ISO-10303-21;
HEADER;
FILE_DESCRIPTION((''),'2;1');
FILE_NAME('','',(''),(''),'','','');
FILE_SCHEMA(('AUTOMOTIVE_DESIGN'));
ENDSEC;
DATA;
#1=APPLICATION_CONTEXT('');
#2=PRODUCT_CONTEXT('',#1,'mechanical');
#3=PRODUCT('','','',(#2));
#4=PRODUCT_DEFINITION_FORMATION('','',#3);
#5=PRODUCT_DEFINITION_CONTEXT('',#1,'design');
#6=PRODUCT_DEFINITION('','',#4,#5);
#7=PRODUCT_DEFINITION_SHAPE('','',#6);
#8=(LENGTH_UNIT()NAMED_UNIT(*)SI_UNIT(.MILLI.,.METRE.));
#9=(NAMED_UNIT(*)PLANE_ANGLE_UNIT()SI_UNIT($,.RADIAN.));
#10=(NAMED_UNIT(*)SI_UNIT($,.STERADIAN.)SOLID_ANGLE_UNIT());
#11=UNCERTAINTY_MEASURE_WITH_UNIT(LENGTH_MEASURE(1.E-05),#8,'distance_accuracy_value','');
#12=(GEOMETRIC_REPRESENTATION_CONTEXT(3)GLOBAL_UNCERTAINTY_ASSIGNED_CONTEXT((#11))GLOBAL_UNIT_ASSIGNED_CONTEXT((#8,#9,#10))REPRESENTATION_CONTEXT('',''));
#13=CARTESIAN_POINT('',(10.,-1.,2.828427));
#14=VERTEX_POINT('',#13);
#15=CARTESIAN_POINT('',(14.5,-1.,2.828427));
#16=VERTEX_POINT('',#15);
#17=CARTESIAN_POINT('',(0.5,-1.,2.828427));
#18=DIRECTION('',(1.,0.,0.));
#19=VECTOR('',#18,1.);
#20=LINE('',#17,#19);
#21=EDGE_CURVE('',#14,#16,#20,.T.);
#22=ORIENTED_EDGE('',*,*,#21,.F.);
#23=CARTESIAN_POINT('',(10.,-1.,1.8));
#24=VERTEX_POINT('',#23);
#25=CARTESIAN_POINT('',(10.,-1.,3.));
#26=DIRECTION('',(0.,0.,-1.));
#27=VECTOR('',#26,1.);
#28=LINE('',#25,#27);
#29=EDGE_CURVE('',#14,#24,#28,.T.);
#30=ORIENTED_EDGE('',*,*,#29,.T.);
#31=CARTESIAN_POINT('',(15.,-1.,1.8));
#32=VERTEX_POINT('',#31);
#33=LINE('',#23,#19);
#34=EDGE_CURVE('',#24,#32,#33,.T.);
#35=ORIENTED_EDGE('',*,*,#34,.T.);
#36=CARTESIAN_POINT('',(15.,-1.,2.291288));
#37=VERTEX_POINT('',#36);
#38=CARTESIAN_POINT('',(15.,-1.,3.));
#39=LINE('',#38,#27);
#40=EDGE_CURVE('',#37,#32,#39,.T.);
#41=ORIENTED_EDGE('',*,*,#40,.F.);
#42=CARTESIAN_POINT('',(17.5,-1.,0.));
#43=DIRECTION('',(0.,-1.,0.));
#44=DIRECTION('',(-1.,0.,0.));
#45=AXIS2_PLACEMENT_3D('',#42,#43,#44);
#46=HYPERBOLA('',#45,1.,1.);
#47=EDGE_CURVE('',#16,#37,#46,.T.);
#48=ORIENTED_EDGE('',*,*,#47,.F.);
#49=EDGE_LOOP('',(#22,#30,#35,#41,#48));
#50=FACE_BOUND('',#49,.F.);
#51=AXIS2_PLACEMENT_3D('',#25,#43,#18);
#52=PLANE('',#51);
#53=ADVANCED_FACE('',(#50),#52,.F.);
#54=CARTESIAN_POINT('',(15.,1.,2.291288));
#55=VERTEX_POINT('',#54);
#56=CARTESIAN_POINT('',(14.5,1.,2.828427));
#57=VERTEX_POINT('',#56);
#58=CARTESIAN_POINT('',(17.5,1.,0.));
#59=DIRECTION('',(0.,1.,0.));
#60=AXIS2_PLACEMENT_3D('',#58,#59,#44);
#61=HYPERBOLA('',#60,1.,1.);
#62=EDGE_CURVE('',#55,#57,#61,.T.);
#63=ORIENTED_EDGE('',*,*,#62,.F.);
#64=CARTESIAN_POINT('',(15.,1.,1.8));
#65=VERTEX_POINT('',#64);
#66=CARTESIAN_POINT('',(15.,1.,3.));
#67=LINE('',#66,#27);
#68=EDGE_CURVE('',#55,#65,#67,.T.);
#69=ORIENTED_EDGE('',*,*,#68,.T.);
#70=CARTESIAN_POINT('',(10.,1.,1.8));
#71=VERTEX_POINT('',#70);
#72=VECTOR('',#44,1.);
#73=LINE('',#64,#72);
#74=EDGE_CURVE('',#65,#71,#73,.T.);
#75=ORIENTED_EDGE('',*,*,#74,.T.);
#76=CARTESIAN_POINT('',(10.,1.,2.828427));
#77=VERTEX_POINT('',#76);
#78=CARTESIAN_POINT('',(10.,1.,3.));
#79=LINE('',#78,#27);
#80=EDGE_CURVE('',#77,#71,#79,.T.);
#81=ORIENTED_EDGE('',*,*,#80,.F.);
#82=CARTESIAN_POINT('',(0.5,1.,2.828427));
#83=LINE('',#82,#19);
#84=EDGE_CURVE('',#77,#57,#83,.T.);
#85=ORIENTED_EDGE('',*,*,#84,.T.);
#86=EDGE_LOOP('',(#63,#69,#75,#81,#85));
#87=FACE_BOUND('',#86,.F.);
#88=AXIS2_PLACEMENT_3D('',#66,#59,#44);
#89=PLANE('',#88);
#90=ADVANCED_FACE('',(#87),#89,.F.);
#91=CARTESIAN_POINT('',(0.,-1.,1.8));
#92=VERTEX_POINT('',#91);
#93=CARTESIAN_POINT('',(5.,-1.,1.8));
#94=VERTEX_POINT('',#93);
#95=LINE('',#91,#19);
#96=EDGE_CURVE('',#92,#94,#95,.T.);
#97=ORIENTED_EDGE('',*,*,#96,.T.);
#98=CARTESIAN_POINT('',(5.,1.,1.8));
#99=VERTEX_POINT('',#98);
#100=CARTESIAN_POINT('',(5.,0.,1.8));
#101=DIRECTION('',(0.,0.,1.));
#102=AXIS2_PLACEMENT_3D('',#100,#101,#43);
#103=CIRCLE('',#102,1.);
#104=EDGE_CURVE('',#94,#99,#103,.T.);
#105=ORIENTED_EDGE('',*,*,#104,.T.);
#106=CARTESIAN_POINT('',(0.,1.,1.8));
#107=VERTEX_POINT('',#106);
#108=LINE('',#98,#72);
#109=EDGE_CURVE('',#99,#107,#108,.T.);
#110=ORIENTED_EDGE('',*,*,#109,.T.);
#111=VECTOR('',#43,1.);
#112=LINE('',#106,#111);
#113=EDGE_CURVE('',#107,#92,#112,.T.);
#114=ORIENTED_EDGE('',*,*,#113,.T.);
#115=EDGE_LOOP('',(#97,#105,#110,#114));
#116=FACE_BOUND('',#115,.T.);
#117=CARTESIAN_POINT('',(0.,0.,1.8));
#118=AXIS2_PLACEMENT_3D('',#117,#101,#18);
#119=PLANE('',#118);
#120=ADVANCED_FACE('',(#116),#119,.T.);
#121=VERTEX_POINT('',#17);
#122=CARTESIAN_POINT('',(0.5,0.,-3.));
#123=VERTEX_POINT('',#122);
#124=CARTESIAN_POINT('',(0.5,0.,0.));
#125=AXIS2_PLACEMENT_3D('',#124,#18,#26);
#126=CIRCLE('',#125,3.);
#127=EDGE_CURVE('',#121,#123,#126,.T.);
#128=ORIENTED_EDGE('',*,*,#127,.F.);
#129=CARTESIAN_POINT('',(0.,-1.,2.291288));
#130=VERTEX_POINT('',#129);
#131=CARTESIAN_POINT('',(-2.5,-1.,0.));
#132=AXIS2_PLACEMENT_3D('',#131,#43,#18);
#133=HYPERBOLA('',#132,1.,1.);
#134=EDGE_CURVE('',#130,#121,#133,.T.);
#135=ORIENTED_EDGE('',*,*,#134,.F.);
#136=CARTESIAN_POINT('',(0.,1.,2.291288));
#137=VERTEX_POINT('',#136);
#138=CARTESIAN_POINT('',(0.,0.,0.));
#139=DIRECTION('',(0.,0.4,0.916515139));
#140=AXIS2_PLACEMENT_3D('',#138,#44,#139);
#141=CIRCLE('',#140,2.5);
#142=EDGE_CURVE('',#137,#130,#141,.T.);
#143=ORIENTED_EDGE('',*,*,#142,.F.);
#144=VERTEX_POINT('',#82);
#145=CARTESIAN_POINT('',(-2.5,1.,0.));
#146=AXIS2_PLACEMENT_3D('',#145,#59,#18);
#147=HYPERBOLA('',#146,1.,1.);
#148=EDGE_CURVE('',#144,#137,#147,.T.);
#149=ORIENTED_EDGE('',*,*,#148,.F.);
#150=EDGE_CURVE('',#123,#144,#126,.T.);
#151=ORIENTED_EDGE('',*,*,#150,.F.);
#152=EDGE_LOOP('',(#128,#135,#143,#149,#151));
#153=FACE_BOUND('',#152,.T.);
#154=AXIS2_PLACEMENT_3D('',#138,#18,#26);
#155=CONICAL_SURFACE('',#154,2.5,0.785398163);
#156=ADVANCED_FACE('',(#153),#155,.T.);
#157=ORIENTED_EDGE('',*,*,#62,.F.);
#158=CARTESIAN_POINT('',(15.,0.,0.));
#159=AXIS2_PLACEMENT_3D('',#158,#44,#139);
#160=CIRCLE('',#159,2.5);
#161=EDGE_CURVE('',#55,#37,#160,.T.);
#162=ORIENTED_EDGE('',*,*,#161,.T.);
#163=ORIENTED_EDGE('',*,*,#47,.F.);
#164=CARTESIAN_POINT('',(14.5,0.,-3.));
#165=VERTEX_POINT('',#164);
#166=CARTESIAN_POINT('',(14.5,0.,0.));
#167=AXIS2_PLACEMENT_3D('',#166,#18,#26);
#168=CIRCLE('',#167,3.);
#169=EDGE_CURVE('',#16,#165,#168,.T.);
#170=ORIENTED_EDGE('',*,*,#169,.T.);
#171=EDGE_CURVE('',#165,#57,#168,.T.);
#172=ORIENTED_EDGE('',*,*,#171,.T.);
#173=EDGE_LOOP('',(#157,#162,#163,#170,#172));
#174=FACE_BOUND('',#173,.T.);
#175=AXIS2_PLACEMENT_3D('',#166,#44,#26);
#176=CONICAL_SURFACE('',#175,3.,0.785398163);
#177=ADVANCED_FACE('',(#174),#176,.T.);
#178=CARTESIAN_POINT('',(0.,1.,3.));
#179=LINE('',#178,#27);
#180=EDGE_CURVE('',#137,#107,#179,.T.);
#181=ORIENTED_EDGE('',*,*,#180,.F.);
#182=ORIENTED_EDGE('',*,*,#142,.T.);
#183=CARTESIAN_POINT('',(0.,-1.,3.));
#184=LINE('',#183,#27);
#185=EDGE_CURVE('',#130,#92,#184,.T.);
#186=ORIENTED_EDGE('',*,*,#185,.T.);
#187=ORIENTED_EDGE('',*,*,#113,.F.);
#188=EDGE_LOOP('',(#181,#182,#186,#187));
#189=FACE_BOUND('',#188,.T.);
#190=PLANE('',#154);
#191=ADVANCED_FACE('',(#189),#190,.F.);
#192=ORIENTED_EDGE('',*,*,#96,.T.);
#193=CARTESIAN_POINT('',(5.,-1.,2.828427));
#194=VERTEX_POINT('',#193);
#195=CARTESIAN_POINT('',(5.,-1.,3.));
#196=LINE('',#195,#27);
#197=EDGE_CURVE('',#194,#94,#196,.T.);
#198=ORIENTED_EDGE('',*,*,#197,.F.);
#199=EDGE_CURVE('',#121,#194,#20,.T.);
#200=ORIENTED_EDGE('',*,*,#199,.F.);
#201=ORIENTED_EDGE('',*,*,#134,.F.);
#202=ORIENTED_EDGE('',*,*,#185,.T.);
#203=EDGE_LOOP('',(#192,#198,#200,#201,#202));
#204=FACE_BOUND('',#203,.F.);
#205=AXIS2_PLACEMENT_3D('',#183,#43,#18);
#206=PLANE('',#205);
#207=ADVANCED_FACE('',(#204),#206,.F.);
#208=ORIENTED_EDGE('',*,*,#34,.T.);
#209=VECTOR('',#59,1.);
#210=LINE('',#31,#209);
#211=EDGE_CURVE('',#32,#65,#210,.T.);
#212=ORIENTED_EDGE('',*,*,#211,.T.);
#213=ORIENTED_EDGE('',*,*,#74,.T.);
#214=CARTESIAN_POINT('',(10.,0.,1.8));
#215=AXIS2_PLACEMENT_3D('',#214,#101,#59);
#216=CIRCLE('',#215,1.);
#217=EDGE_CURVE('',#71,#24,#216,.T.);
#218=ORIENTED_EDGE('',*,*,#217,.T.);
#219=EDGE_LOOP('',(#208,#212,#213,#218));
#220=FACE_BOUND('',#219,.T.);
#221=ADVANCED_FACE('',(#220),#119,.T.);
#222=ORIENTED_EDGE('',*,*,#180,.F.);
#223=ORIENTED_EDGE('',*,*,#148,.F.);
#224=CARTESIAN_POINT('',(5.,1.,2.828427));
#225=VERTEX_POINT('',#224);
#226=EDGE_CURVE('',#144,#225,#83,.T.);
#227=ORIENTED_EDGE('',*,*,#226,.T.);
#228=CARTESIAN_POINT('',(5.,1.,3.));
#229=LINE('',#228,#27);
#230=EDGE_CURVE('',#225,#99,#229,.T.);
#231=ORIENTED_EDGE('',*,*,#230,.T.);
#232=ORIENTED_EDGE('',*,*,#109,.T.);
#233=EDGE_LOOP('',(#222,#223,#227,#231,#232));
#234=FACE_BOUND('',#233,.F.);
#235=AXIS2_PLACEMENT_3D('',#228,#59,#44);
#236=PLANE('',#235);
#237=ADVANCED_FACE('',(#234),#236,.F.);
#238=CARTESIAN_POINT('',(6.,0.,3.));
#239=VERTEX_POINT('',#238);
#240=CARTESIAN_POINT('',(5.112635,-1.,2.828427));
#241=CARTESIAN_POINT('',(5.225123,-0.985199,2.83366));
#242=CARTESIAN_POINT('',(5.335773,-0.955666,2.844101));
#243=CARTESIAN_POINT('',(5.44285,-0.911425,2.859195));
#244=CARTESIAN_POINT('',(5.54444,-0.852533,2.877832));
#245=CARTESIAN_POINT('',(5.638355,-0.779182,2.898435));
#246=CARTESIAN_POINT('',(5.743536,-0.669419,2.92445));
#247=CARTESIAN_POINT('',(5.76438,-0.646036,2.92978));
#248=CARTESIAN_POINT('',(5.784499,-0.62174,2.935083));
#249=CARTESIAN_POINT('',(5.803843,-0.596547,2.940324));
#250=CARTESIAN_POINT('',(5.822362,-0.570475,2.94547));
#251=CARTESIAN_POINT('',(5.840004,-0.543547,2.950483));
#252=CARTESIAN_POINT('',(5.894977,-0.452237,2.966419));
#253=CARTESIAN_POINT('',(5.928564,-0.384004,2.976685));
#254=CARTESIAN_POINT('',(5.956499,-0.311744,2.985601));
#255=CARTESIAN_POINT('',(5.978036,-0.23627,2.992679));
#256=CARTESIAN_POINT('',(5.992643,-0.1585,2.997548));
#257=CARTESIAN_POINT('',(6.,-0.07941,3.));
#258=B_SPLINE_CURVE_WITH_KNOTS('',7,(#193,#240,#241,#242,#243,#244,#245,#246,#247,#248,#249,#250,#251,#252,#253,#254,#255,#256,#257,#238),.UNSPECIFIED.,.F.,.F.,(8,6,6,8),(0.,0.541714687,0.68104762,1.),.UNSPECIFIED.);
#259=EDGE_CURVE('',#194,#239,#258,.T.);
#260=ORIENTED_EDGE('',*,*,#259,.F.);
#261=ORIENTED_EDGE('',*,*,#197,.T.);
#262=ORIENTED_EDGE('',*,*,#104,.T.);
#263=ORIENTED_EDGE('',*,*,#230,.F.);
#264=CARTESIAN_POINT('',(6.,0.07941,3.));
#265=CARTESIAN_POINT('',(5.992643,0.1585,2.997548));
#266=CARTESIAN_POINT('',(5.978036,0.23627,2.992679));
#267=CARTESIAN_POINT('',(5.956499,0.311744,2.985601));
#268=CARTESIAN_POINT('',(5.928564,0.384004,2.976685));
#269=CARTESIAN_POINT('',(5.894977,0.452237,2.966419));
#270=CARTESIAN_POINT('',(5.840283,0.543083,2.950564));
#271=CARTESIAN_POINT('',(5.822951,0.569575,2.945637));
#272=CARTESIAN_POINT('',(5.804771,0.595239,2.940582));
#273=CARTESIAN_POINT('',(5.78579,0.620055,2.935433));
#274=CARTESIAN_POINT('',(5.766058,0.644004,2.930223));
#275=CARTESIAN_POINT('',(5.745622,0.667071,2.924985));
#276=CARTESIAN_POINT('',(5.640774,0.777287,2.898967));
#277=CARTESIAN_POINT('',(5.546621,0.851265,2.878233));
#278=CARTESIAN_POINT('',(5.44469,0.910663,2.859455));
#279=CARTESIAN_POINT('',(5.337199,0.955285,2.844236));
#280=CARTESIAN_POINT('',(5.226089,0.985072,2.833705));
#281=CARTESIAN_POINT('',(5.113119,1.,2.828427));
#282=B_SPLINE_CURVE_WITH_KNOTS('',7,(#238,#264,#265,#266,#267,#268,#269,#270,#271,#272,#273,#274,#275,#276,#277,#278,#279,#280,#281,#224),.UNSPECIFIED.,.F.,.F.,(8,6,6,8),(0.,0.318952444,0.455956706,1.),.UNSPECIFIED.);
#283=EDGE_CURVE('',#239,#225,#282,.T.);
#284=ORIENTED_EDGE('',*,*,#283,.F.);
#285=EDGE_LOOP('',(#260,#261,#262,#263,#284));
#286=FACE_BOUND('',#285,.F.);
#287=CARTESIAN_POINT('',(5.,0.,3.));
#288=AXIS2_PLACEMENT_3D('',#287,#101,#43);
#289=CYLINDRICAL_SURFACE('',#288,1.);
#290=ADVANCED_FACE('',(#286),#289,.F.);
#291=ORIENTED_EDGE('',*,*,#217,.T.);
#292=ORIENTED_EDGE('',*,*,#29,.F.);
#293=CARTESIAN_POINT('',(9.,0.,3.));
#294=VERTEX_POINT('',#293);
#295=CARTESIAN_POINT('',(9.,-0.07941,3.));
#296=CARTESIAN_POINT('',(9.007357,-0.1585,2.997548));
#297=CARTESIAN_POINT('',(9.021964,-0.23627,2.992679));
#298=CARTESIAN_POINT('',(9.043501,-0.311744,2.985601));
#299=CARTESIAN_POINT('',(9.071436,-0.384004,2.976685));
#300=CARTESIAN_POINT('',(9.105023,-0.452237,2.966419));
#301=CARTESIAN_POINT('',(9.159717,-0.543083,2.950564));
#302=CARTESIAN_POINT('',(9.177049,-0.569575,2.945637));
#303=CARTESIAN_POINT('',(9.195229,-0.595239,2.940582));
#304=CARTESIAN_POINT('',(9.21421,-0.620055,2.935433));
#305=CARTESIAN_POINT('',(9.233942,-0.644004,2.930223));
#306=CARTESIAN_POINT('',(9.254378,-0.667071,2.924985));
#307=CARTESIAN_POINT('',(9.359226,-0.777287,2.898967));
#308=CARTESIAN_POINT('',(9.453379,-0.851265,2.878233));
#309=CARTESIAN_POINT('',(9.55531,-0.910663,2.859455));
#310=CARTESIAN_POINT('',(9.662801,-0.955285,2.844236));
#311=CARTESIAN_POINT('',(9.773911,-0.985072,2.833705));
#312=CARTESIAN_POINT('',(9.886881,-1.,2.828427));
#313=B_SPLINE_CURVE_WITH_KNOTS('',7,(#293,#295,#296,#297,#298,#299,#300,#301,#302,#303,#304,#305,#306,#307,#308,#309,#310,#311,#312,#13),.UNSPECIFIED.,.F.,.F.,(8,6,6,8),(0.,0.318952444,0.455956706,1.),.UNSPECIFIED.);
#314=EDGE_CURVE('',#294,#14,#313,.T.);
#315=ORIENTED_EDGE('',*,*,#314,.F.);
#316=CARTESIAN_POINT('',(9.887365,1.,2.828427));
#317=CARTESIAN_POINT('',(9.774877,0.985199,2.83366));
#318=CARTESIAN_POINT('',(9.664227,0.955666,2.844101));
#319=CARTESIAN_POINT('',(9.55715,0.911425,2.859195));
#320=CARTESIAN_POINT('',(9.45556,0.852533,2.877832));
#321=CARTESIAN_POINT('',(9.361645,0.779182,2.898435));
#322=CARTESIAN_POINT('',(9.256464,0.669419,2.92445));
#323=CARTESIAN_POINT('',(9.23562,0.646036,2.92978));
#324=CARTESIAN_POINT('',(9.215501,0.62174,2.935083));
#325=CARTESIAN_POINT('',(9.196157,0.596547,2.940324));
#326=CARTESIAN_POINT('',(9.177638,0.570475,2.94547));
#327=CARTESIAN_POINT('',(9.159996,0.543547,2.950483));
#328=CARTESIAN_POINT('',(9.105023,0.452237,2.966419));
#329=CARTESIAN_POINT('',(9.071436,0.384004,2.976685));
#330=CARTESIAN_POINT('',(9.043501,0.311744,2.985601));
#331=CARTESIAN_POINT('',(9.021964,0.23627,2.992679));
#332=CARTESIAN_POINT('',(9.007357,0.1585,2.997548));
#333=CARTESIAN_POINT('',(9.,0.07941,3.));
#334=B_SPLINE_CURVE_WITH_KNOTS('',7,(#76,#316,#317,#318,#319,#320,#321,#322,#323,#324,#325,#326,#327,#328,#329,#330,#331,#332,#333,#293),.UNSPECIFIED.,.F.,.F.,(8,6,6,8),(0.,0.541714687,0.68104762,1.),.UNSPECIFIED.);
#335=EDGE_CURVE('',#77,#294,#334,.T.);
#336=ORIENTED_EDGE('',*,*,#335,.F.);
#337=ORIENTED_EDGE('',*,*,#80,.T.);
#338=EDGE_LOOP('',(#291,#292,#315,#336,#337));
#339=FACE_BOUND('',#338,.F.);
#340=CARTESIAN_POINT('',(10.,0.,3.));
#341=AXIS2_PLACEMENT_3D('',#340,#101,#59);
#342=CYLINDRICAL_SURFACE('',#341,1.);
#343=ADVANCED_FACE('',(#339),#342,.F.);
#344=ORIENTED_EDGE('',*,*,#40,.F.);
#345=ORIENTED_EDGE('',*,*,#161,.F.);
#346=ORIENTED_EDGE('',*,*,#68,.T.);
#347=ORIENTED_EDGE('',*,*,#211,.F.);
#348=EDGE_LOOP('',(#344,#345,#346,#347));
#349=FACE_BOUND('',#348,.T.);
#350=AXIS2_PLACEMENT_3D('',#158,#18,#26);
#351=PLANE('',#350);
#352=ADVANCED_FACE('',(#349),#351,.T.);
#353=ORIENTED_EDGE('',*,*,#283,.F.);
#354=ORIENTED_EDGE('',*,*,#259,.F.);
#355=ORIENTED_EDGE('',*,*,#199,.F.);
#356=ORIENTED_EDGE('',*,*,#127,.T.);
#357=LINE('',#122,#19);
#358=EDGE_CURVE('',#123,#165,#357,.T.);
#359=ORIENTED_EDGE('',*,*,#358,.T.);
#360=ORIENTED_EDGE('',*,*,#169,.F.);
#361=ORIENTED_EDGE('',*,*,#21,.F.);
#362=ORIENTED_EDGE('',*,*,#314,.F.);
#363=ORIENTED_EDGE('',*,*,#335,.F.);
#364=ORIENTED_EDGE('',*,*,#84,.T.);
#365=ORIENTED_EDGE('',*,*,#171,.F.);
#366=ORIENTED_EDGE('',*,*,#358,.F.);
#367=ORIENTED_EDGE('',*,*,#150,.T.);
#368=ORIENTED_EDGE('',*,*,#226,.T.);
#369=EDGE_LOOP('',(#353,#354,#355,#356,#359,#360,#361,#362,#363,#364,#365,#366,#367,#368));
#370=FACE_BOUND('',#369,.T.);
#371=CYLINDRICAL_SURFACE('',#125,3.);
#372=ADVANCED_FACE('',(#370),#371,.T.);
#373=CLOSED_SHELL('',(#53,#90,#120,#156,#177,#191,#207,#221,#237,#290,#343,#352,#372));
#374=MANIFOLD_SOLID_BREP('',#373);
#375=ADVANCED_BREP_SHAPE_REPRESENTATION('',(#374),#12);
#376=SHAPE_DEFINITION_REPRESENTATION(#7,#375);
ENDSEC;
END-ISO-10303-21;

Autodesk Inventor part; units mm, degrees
ref_plane "YZ Plane" through (0, 0, 0) normal (1, 0, 0) x (0, 1, 0)
ref_plane "XZ Plane" through (0, 0, 0) normal (0, 1, 0) x (-1, 0, 0)
ref_plane "XY Plane" through (0, 0, 0) normal (0, 0, 1) x (1, 0, 0)
sketch "Sketch_1" plane through (0, 0, 0) normal (0, 1, 0) x (-1, 0, 0)
  line L0 (-15, 0) -> (0, 0)
  line L1 (0, 0) -> (0, -2.5)
  line L2 (0, -2.5) -> (-0.5, -3)
  line L3 (-0.5, -3) -> (-14.5, -3)
  line L4 (-14.5, -3) -> (-15, -2.5)
  line L5 (-15, -2.5) -> (-15, 0)
  line L6 (-15, 0) -> (0, 0)
revolve "Revolution1" add sketch "Sketch_1" angle 360 about axis through (15, 0, 0) along (1, 0, 0)
sketch "_____9" plane through (0, 0, 3) normal (0, 0, 1) x (1, 0, 0)
  line L0 (0, 1) -> (0, -1)
  line L1 (0, -1) -> (5, -1)
  arc A0 (5, -1) -> (5, 1) centre (5, 0) ccw
  line L2 (5, 1) -> (0, 1)
extrude "Extrusion1" cut sketch "_____9" against normal blind 1.2
sketch "_____14" plane through (0, 0, 3) normal (0, 0, 1) x (1, 0, 0)
  arc A0 (10, 1) -> (10, -1) centre (10, 0) ccw
  line L0 (10, -1) -> (15, -1)
  line L1 (15, -1) -> (15, 1)
  line L2 (15, 1) -> (10, 1)
extrude "Extrusion2" cut sketch "_____14" against normal blind 1.2
properties part number "SSFHKR6-15-KA0-A6-KB9-B6_s"
